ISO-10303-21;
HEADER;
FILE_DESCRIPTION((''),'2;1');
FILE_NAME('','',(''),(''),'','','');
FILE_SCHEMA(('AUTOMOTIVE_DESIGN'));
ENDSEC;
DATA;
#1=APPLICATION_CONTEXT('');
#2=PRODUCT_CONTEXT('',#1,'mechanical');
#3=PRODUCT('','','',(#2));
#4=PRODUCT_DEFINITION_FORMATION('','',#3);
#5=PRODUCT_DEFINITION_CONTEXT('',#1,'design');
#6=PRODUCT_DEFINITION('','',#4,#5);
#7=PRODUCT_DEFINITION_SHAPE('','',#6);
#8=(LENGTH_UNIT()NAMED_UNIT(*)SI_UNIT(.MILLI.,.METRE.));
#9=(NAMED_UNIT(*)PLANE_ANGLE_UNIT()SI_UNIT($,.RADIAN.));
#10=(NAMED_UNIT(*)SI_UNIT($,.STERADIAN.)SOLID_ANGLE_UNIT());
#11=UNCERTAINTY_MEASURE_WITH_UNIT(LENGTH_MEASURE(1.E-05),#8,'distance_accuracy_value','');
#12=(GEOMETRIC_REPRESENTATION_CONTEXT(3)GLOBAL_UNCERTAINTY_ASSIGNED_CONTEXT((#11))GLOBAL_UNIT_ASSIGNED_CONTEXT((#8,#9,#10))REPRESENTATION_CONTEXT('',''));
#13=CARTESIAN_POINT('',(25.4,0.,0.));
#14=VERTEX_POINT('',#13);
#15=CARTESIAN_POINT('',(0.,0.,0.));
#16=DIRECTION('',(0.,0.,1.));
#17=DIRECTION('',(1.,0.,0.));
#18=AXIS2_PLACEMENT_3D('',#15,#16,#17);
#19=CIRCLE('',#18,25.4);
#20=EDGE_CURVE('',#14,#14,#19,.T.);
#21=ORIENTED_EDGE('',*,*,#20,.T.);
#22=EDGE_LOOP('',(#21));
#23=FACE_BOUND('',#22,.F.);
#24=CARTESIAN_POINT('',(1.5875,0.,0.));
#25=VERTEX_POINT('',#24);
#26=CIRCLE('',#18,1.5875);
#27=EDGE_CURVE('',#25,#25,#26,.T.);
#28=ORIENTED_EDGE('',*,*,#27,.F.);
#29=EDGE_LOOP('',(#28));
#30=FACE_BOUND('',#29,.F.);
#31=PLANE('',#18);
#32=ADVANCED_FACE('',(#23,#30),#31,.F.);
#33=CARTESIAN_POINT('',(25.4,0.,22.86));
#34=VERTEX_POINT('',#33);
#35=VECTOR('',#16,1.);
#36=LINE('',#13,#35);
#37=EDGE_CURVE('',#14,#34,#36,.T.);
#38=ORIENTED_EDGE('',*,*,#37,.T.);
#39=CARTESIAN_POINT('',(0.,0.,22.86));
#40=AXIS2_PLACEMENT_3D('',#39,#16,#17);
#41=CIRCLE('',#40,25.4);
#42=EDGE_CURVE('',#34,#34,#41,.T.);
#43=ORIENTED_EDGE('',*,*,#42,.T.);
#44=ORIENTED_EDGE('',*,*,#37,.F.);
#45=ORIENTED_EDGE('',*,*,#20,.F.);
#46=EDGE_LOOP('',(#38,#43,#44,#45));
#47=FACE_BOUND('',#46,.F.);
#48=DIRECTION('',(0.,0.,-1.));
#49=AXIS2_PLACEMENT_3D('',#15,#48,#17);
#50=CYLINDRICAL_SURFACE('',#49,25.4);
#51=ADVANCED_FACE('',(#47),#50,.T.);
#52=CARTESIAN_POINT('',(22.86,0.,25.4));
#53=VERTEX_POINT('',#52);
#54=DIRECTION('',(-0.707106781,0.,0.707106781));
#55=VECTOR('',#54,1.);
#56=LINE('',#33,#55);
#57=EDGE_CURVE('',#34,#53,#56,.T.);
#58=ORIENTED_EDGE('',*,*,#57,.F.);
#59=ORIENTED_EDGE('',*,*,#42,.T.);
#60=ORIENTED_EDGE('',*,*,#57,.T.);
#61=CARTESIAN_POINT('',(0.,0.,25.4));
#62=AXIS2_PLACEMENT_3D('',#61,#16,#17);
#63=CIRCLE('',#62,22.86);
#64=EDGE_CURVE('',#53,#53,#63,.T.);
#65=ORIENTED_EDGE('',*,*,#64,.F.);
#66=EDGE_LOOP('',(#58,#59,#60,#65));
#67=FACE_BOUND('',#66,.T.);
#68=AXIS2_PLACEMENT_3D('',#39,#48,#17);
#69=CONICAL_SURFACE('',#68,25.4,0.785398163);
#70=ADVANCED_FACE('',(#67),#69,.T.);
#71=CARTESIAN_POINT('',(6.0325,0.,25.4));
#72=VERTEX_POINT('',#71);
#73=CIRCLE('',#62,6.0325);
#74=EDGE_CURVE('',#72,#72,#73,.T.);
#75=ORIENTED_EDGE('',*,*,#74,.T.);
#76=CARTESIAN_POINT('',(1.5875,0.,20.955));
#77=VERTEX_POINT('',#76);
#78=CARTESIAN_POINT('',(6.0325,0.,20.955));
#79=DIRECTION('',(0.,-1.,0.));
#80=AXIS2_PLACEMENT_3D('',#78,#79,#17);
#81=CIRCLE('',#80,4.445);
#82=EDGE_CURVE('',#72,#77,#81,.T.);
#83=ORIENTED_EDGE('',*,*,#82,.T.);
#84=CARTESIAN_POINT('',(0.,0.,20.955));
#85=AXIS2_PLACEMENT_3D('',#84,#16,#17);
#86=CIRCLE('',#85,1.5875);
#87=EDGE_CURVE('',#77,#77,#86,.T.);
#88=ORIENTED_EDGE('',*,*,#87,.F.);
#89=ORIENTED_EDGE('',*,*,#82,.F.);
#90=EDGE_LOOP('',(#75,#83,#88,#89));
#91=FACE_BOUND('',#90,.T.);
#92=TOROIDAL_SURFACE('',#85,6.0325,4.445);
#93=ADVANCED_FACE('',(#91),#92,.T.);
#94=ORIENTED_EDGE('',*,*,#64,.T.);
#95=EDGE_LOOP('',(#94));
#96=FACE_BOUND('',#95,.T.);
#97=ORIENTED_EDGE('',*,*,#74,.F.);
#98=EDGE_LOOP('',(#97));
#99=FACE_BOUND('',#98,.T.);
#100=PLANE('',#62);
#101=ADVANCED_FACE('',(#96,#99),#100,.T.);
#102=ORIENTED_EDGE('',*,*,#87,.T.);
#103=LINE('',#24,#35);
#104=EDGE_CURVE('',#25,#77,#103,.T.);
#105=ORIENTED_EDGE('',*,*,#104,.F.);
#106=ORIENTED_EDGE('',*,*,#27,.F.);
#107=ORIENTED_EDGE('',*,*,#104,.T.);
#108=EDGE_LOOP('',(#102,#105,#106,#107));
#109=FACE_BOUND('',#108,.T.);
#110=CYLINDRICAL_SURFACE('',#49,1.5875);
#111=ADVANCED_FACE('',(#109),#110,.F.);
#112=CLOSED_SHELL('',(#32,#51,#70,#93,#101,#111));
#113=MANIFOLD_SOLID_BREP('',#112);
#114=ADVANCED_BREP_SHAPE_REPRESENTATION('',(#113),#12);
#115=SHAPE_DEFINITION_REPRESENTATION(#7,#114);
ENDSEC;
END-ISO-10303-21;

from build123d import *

# Parameters (mm, degrees)
F0_R     = 25.4
F0_R_2   = 1.5875
F1_DEPTH = 25.4
F2_SIZE  = 2.54
F3_R     = 4.445


with BuildPart() as f1:
    # F0 (on Top) → F1 (new body)
    with BuildSketch(Plane.XY):
        Circle(F0_R)
        Circle(F0_R_2, mode=Mode.SUBTRACT)
    extrude(amount=F1_DEPTH)

    # F2
    f2_edges = [f1.edges().sort_by_distance(p)[0] for p in [
        (-25.4, 0, 25.4),
    ]]
    chamfer(f2_edges, length=F2_SIZE)

    # F3
    f3_edges = [f1.edges().sort_by_distance(p)[0] for p in [
        (-1.5875, 0, 25.4),
    ]]
    fillet(f3_edges, radius=F3_R)


solid = f1.part
